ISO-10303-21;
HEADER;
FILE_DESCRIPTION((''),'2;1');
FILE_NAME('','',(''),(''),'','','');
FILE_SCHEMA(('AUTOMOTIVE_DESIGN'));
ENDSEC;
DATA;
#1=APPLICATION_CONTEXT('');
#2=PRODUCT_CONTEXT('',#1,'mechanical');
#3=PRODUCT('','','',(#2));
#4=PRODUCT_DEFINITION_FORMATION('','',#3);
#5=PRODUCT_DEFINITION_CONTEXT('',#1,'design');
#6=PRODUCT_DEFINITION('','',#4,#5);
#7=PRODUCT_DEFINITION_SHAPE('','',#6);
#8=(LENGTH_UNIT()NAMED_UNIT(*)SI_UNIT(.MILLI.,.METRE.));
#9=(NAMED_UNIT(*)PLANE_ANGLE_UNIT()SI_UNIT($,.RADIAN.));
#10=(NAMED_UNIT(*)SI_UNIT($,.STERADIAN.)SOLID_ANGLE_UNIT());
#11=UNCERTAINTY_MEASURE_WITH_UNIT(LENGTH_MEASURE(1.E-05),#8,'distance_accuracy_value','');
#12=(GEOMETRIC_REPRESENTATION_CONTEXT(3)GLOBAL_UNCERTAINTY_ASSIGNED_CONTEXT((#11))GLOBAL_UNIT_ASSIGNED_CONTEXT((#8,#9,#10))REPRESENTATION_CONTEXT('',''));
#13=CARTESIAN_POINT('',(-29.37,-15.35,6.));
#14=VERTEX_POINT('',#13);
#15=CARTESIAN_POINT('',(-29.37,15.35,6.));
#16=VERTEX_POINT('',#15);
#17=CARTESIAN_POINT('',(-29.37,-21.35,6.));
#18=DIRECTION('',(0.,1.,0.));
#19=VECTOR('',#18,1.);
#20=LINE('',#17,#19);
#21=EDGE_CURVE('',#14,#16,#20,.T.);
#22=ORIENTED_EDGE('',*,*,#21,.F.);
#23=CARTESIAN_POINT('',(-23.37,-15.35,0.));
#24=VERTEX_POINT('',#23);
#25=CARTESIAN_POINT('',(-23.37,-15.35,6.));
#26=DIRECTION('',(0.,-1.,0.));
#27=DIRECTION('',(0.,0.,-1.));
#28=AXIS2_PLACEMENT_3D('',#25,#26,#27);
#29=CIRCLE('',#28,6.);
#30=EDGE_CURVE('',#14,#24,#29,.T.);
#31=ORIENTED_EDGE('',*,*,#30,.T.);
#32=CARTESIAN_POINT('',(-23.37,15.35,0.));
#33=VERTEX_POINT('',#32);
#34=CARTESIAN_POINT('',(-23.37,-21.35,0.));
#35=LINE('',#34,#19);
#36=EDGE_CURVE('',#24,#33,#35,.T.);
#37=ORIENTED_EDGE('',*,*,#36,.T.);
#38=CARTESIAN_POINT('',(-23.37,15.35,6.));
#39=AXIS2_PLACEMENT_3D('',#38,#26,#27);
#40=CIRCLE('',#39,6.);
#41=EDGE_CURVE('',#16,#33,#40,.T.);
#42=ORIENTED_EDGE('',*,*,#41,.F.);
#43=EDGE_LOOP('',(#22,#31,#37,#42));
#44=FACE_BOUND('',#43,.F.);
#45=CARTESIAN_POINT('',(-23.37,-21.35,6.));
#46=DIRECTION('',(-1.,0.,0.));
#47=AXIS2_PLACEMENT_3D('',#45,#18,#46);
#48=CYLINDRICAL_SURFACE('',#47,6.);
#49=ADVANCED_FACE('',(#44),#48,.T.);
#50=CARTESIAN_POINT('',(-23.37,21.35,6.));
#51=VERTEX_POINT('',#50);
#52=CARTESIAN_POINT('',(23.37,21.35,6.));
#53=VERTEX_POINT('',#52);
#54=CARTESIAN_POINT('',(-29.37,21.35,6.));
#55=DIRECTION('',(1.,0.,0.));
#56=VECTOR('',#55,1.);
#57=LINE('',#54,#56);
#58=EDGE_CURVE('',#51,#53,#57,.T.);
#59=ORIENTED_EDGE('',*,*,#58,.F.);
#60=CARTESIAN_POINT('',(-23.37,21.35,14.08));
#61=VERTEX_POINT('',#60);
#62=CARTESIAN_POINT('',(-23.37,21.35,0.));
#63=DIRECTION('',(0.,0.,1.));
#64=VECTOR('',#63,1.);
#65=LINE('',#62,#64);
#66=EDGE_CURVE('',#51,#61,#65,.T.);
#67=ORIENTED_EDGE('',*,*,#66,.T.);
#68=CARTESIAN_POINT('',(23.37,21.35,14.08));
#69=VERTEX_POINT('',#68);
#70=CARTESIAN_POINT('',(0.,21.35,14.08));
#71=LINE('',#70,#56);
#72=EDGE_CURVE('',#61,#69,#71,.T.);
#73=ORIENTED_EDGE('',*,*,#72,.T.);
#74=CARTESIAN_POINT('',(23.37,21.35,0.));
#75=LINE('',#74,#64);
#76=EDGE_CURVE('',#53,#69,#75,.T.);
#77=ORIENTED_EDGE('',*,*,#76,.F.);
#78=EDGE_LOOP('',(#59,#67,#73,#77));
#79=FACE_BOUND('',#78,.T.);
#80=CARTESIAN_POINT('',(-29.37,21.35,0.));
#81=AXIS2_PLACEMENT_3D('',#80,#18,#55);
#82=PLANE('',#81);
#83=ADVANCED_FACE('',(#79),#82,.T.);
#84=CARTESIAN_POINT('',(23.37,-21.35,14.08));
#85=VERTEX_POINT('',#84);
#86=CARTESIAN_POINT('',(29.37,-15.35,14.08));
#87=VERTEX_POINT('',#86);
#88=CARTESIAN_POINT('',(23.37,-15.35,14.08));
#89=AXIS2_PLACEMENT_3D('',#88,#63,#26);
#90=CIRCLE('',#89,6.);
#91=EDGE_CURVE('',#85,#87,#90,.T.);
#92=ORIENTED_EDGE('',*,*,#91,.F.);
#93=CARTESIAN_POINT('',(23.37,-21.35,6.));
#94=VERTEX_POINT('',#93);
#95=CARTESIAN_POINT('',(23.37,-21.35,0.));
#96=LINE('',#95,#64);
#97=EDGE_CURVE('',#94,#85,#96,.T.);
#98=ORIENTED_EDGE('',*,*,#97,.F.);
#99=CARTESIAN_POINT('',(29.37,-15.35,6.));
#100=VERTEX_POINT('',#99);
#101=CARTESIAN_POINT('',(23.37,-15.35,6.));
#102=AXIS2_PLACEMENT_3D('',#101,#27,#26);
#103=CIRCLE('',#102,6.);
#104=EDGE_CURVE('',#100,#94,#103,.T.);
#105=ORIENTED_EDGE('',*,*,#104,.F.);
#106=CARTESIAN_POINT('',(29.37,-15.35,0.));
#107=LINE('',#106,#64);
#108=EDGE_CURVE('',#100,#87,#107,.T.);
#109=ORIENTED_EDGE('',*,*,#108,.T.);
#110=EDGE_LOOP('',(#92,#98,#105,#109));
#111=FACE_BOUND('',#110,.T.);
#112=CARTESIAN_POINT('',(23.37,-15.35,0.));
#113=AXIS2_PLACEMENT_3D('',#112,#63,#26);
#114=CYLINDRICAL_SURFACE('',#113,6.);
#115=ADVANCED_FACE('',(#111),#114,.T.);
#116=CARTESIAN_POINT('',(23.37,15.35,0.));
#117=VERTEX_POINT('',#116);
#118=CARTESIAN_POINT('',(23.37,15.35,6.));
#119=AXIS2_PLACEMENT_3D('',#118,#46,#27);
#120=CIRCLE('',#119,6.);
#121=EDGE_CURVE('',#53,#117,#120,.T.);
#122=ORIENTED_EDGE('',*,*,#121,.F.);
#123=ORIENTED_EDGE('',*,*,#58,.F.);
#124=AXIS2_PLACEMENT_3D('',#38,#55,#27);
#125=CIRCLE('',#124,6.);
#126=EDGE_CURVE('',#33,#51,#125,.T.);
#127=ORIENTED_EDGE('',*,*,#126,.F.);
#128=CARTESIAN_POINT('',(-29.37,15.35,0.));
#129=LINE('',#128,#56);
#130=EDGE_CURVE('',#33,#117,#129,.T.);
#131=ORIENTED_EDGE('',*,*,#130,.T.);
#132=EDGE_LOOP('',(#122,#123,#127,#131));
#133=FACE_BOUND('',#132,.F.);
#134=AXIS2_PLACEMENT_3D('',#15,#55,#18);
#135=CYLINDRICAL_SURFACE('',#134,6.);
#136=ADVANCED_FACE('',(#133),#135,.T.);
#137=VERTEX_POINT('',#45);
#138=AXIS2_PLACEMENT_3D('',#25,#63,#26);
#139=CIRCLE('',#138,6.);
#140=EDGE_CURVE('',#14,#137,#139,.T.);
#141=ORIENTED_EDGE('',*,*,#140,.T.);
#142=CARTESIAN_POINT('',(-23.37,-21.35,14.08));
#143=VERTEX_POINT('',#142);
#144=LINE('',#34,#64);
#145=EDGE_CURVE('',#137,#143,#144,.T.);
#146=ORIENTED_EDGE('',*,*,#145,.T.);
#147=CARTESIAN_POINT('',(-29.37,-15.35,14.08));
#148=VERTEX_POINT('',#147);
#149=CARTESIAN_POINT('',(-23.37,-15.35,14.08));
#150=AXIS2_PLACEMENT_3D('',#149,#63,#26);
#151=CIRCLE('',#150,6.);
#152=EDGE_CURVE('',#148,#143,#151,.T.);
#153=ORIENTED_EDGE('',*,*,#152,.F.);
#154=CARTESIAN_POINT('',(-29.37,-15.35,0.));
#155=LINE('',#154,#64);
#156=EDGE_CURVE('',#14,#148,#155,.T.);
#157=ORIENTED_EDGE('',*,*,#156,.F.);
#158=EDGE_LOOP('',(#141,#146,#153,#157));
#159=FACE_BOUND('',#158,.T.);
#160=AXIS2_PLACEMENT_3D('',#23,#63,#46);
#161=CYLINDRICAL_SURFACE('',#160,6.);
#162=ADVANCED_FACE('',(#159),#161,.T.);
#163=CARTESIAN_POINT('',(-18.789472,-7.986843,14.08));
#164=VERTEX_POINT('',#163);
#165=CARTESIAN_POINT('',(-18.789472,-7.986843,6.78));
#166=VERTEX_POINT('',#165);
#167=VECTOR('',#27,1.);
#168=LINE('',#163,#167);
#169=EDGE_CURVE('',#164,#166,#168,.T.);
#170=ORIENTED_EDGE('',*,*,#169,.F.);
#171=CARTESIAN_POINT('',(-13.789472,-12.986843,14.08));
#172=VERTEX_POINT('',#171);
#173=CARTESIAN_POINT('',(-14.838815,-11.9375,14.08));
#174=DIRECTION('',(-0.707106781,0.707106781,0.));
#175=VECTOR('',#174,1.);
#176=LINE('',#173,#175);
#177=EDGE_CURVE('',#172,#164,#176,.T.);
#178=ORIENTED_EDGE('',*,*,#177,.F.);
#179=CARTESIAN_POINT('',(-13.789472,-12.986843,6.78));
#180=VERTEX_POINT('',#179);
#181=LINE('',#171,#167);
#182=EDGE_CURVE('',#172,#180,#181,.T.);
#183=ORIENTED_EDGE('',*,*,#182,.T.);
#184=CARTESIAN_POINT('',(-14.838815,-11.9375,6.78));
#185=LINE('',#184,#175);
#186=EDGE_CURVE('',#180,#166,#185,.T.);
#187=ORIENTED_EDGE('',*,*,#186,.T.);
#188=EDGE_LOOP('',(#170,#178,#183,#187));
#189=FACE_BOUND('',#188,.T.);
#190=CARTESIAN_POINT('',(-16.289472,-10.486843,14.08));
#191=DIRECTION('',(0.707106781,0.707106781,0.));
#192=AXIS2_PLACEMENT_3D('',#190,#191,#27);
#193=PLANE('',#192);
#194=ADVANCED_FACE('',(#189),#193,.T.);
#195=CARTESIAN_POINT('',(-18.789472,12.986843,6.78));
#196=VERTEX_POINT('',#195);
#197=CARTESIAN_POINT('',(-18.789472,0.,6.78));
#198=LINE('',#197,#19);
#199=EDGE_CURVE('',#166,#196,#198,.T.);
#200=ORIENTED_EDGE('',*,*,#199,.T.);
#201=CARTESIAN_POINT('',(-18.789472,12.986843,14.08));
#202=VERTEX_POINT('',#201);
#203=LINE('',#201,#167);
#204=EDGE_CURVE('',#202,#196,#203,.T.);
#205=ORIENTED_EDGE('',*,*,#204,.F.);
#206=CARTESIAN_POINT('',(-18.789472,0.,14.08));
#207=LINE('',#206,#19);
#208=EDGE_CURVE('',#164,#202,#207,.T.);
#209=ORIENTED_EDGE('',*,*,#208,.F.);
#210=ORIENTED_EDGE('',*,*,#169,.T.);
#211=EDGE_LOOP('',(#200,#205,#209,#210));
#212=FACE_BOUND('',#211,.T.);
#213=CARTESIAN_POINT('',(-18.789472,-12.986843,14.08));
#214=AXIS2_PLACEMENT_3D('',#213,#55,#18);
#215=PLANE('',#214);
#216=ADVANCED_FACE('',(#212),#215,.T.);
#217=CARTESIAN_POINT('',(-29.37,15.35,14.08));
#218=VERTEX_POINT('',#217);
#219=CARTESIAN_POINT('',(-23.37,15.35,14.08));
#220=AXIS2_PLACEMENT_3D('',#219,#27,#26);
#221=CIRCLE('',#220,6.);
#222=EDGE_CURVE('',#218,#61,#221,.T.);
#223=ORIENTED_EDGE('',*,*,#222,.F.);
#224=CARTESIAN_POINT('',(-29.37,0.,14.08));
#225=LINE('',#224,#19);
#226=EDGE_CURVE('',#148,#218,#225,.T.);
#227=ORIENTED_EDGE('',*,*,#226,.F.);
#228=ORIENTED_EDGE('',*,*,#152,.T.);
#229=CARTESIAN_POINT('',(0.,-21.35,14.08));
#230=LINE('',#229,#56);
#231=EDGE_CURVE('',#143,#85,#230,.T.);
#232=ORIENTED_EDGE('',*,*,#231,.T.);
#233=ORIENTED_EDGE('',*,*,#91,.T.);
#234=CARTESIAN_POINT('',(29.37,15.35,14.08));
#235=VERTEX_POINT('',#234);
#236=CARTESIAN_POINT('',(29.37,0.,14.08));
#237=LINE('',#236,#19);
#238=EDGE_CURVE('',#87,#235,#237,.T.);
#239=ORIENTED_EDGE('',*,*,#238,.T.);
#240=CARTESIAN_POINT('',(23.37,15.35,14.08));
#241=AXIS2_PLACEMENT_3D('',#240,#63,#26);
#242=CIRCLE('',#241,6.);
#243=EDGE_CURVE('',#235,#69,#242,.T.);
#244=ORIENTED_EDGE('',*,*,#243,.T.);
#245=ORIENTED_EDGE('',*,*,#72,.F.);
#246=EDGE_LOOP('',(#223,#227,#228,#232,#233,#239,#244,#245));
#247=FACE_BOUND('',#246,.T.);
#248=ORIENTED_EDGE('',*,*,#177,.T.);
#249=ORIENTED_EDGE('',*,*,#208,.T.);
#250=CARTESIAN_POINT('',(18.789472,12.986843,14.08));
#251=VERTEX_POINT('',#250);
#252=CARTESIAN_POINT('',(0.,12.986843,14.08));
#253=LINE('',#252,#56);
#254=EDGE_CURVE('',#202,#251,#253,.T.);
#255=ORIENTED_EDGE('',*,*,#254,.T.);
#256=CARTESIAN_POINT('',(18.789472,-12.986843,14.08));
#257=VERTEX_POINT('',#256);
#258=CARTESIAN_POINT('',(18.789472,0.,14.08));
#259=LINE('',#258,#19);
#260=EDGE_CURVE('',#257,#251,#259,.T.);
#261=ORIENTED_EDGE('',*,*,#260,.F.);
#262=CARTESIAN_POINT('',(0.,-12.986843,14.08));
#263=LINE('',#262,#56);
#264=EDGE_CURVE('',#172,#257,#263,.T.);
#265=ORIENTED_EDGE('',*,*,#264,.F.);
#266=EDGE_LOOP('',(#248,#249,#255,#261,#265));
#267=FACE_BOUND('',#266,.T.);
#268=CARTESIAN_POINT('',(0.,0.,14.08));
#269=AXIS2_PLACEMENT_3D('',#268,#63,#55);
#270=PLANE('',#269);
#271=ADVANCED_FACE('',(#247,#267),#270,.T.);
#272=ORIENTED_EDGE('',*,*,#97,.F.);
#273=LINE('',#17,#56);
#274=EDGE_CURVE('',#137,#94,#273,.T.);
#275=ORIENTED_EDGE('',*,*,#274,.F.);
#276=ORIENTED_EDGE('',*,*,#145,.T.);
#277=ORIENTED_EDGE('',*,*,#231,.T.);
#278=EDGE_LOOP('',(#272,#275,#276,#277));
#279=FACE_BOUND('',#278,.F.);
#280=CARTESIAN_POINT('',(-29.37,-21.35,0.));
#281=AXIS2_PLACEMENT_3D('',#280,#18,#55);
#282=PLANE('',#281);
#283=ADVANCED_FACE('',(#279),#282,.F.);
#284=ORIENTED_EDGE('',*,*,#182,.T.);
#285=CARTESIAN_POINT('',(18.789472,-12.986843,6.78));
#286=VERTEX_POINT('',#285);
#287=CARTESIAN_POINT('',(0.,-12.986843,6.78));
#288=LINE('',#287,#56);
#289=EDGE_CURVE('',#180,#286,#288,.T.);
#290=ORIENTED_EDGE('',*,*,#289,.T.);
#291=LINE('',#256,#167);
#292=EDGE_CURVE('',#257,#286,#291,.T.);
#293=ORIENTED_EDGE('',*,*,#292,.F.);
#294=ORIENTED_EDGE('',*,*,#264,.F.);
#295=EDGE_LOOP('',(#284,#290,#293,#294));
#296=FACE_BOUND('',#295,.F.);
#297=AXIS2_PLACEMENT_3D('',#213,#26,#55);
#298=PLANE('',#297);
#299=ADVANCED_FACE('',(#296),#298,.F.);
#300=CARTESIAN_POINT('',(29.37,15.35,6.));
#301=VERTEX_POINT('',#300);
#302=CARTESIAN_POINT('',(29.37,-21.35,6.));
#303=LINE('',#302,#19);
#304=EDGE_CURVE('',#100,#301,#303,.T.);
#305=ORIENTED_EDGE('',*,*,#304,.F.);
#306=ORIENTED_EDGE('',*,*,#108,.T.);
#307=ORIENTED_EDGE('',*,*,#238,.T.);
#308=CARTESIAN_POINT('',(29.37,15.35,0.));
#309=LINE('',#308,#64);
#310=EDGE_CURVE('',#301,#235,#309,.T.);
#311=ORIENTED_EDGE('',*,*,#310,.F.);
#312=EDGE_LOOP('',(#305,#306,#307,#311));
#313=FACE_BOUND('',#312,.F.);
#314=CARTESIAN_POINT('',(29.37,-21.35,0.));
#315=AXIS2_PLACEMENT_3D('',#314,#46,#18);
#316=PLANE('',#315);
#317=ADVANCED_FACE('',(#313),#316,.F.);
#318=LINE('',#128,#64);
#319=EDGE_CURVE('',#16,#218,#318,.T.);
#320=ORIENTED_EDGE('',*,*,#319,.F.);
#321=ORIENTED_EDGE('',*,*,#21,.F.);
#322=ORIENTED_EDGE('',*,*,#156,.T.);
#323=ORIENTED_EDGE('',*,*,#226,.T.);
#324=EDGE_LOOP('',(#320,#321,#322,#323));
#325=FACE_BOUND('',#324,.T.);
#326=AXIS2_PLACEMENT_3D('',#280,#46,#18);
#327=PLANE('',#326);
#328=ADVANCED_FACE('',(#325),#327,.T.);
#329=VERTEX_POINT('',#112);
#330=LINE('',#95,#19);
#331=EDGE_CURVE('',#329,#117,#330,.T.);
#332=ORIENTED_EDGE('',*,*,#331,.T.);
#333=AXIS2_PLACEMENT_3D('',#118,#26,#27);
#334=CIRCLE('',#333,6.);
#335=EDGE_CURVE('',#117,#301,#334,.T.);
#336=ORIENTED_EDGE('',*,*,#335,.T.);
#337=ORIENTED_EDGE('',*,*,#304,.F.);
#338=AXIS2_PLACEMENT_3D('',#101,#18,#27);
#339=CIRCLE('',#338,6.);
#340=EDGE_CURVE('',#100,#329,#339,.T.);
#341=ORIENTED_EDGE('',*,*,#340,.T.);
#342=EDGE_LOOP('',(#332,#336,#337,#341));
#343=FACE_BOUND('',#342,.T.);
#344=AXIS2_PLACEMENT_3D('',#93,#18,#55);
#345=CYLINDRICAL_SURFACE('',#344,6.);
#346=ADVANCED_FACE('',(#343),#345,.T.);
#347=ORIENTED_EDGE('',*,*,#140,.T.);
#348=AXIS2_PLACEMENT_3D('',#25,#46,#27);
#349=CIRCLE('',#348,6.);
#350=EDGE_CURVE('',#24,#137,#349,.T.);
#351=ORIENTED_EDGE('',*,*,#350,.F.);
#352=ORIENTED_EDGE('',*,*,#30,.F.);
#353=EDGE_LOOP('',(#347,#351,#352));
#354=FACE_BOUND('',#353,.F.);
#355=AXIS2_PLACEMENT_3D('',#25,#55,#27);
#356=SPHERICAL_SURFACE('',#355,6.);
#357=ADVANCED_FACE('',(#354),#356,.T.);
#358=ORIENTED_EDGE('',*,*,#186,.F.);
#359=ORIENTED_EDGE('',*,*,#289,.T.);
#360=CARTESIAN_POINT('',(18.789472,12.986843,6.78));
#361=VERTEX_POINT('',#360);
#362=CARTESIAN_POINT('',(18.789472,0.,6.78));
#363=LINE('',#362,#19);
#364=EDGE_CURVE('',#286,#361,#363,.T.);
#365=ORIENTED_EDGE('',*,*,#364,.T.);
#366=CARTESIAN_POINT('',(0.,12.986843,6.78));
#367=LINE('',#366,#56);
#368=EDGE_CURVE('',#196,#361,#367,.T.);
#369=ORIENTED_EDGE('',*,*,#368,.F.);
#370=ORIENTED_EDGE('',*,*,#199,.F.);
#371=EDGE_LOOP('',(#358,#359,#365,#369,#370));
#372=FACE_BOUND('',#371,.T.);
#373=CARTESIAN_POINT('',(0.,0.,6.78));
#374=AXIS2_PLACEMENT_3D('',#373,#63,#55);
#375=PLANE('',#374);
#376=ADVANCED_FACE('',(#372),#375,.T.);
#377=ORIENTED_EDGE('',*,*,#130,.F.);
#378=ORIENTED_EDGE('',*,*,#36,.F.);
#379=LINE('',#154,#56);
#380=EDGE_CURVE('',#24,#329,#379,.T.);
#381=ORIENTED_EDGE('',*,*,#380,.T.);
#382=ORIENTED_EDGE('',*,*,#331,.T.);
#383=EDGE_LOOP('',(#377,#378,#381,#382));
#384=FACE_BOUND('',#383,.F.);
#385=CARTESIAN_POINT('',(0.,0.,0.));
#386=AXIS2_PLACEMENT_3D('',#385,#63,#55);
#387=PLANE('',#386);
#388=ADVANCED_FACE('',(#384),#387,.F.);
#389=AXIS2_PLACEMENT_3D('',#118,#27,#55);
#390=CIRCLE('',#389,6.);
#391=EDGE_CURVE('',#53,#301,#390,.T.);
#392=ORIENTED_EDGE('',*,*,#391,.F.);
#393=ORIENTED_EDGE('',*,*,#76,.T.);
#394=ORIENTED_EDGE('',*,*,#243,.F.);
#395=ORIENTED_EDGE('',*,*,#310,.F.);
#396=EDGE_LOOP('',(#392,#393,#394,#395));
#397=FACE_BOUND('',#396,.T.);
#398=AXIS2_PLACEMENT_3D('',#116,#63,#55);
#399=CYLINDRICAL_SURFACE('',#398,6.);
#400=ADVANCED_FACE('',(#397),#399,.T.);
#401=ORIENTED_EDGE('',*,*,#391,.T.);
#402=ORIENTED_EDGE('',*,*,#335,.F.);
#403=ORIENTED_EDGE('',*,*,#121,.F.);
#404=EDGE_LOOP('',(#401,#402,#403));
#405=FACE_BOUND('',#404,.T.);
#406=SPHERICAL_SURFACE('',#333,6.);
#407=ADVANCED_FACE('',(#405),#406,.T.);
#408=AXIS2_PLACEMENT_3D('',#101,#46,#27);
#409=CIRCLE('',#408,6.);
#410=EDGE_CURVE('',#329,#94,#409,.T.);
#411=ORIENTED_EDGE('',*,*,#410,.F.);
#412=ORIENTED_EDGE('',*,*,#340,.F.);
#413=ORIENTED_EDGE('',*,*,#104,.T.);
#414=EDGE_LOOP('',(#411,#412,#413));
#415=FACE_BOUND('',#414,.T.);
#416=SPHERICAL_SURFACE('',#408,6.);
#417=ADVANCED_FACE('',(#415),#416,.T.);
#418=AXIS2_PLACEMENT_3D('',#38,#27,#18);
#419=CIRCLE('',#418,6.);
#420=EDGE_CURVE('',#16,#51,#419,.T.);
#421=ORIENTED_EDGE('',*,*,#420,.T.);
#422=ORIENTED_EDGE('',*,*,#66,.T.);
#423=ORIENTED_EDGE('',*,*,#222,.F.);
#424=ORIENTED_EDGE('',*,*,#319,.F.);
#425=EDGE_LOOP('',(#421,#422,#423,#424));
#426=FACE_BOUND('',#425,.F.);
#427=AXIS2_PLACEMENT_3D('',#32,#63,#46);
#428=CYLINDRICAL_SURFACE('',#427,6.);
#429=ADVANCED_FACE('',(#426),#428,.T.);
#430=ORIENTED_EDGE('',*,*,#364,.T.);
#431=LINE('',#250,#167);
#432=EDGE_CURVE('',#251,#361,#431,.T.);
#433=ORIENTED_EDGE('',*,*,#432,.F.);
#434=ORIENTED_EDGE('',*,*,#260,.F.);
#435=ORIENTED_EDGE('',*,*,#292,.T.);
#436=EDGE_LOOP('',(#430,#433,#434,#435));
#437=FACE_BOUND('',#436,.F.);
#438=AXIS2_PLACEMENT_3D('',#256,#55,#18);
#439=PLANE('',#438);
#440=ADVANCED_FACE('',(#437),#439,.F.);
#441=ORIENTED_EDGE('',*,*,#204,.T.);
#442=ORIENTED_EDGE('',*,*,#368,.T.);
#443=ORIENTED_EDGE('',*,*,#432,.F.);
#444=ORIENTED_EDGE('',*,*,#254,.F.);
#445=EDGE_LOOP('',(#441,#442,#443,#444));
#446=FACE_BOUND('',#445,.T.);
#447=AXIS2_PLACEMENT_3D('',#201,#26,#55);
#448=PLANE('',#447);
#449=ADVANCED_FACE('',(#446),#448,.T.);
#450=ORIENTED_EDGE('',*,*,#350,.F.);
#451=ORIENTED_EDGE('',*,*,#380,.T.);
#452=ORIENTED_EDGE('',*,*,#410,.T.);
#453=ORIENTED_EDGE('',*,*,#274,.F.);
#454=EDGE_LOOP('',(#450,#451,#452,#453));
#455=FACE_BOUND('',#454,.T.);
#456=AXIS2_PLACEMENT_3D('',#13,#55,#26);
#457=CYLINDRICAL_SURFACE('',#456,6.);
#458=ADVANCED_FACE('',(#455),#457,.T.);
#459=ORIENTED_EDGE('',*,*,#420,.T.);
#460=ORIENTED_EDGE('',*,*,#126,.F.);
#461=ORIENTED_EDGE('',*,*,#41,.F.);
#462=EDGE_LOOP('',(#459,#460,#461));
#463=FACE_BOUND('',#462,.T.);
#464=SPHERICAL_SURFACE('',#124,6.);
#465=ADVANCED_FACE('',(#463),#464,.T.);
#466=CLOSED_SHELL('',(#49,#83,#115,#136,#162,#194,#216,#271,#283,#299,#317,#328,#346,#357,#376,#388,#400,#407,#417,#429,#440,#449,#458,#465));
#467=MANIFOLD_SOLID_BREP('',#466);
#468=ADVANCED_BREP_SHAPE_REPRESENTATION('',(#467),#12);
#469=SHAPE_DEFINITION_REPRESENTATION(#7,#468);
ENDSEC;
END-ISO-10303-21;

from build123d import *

# Parameters (mm, degrees)
F0_W     = 58.74
F0_H     = 42.7
F1_DEPTH = 14.08
F2_R     = 6
F3_W     = 37.578944
F3_H     = 25.973686
F4_DEPTH = 7.3
F5_SIZE  = 5


with BuildPart() as f1:
    # F0 (on Top) → F1 (new body)
    with BuildSketch(Plane.XY):
        Rectangle(F0_W, F0_H)
    extrude(amount=F1_DEPTH)

    # F2
    f2_edges = [f1.edges().sort_by_distance(p)[0] for p in [
        (0, -21.35, 0),
        (29.37, 0, 0),
        (0, 21.35, 0),
        (-29.37, 0, 0),
        (29.37, -21.35, 7.04),
        (29.37, 21.35, 7.04),
        (-29.37, 21.35, 7.04),
        (-29.37, -21.35, 7.04),
    ]]
    fillet(f2_edges, radius=F2_R)

    # F3 (on face) → F4 (cut)
    with BuildSketch(Plane.XY.offset(14.08)):
        Rectangle(F3_W, F3_H)
    extrude(amount=-F4_DEPTH, mode=Mode.SUBTRACT)

    # F5
    f5_edges = [f1.edges().sort_by_distance(p)[0] for p in [
        (-18.789472, -12.986843, 10.43),
    ]]
    chamfer(f5_edges, length=F5_SIZE)


solid = f1.part
